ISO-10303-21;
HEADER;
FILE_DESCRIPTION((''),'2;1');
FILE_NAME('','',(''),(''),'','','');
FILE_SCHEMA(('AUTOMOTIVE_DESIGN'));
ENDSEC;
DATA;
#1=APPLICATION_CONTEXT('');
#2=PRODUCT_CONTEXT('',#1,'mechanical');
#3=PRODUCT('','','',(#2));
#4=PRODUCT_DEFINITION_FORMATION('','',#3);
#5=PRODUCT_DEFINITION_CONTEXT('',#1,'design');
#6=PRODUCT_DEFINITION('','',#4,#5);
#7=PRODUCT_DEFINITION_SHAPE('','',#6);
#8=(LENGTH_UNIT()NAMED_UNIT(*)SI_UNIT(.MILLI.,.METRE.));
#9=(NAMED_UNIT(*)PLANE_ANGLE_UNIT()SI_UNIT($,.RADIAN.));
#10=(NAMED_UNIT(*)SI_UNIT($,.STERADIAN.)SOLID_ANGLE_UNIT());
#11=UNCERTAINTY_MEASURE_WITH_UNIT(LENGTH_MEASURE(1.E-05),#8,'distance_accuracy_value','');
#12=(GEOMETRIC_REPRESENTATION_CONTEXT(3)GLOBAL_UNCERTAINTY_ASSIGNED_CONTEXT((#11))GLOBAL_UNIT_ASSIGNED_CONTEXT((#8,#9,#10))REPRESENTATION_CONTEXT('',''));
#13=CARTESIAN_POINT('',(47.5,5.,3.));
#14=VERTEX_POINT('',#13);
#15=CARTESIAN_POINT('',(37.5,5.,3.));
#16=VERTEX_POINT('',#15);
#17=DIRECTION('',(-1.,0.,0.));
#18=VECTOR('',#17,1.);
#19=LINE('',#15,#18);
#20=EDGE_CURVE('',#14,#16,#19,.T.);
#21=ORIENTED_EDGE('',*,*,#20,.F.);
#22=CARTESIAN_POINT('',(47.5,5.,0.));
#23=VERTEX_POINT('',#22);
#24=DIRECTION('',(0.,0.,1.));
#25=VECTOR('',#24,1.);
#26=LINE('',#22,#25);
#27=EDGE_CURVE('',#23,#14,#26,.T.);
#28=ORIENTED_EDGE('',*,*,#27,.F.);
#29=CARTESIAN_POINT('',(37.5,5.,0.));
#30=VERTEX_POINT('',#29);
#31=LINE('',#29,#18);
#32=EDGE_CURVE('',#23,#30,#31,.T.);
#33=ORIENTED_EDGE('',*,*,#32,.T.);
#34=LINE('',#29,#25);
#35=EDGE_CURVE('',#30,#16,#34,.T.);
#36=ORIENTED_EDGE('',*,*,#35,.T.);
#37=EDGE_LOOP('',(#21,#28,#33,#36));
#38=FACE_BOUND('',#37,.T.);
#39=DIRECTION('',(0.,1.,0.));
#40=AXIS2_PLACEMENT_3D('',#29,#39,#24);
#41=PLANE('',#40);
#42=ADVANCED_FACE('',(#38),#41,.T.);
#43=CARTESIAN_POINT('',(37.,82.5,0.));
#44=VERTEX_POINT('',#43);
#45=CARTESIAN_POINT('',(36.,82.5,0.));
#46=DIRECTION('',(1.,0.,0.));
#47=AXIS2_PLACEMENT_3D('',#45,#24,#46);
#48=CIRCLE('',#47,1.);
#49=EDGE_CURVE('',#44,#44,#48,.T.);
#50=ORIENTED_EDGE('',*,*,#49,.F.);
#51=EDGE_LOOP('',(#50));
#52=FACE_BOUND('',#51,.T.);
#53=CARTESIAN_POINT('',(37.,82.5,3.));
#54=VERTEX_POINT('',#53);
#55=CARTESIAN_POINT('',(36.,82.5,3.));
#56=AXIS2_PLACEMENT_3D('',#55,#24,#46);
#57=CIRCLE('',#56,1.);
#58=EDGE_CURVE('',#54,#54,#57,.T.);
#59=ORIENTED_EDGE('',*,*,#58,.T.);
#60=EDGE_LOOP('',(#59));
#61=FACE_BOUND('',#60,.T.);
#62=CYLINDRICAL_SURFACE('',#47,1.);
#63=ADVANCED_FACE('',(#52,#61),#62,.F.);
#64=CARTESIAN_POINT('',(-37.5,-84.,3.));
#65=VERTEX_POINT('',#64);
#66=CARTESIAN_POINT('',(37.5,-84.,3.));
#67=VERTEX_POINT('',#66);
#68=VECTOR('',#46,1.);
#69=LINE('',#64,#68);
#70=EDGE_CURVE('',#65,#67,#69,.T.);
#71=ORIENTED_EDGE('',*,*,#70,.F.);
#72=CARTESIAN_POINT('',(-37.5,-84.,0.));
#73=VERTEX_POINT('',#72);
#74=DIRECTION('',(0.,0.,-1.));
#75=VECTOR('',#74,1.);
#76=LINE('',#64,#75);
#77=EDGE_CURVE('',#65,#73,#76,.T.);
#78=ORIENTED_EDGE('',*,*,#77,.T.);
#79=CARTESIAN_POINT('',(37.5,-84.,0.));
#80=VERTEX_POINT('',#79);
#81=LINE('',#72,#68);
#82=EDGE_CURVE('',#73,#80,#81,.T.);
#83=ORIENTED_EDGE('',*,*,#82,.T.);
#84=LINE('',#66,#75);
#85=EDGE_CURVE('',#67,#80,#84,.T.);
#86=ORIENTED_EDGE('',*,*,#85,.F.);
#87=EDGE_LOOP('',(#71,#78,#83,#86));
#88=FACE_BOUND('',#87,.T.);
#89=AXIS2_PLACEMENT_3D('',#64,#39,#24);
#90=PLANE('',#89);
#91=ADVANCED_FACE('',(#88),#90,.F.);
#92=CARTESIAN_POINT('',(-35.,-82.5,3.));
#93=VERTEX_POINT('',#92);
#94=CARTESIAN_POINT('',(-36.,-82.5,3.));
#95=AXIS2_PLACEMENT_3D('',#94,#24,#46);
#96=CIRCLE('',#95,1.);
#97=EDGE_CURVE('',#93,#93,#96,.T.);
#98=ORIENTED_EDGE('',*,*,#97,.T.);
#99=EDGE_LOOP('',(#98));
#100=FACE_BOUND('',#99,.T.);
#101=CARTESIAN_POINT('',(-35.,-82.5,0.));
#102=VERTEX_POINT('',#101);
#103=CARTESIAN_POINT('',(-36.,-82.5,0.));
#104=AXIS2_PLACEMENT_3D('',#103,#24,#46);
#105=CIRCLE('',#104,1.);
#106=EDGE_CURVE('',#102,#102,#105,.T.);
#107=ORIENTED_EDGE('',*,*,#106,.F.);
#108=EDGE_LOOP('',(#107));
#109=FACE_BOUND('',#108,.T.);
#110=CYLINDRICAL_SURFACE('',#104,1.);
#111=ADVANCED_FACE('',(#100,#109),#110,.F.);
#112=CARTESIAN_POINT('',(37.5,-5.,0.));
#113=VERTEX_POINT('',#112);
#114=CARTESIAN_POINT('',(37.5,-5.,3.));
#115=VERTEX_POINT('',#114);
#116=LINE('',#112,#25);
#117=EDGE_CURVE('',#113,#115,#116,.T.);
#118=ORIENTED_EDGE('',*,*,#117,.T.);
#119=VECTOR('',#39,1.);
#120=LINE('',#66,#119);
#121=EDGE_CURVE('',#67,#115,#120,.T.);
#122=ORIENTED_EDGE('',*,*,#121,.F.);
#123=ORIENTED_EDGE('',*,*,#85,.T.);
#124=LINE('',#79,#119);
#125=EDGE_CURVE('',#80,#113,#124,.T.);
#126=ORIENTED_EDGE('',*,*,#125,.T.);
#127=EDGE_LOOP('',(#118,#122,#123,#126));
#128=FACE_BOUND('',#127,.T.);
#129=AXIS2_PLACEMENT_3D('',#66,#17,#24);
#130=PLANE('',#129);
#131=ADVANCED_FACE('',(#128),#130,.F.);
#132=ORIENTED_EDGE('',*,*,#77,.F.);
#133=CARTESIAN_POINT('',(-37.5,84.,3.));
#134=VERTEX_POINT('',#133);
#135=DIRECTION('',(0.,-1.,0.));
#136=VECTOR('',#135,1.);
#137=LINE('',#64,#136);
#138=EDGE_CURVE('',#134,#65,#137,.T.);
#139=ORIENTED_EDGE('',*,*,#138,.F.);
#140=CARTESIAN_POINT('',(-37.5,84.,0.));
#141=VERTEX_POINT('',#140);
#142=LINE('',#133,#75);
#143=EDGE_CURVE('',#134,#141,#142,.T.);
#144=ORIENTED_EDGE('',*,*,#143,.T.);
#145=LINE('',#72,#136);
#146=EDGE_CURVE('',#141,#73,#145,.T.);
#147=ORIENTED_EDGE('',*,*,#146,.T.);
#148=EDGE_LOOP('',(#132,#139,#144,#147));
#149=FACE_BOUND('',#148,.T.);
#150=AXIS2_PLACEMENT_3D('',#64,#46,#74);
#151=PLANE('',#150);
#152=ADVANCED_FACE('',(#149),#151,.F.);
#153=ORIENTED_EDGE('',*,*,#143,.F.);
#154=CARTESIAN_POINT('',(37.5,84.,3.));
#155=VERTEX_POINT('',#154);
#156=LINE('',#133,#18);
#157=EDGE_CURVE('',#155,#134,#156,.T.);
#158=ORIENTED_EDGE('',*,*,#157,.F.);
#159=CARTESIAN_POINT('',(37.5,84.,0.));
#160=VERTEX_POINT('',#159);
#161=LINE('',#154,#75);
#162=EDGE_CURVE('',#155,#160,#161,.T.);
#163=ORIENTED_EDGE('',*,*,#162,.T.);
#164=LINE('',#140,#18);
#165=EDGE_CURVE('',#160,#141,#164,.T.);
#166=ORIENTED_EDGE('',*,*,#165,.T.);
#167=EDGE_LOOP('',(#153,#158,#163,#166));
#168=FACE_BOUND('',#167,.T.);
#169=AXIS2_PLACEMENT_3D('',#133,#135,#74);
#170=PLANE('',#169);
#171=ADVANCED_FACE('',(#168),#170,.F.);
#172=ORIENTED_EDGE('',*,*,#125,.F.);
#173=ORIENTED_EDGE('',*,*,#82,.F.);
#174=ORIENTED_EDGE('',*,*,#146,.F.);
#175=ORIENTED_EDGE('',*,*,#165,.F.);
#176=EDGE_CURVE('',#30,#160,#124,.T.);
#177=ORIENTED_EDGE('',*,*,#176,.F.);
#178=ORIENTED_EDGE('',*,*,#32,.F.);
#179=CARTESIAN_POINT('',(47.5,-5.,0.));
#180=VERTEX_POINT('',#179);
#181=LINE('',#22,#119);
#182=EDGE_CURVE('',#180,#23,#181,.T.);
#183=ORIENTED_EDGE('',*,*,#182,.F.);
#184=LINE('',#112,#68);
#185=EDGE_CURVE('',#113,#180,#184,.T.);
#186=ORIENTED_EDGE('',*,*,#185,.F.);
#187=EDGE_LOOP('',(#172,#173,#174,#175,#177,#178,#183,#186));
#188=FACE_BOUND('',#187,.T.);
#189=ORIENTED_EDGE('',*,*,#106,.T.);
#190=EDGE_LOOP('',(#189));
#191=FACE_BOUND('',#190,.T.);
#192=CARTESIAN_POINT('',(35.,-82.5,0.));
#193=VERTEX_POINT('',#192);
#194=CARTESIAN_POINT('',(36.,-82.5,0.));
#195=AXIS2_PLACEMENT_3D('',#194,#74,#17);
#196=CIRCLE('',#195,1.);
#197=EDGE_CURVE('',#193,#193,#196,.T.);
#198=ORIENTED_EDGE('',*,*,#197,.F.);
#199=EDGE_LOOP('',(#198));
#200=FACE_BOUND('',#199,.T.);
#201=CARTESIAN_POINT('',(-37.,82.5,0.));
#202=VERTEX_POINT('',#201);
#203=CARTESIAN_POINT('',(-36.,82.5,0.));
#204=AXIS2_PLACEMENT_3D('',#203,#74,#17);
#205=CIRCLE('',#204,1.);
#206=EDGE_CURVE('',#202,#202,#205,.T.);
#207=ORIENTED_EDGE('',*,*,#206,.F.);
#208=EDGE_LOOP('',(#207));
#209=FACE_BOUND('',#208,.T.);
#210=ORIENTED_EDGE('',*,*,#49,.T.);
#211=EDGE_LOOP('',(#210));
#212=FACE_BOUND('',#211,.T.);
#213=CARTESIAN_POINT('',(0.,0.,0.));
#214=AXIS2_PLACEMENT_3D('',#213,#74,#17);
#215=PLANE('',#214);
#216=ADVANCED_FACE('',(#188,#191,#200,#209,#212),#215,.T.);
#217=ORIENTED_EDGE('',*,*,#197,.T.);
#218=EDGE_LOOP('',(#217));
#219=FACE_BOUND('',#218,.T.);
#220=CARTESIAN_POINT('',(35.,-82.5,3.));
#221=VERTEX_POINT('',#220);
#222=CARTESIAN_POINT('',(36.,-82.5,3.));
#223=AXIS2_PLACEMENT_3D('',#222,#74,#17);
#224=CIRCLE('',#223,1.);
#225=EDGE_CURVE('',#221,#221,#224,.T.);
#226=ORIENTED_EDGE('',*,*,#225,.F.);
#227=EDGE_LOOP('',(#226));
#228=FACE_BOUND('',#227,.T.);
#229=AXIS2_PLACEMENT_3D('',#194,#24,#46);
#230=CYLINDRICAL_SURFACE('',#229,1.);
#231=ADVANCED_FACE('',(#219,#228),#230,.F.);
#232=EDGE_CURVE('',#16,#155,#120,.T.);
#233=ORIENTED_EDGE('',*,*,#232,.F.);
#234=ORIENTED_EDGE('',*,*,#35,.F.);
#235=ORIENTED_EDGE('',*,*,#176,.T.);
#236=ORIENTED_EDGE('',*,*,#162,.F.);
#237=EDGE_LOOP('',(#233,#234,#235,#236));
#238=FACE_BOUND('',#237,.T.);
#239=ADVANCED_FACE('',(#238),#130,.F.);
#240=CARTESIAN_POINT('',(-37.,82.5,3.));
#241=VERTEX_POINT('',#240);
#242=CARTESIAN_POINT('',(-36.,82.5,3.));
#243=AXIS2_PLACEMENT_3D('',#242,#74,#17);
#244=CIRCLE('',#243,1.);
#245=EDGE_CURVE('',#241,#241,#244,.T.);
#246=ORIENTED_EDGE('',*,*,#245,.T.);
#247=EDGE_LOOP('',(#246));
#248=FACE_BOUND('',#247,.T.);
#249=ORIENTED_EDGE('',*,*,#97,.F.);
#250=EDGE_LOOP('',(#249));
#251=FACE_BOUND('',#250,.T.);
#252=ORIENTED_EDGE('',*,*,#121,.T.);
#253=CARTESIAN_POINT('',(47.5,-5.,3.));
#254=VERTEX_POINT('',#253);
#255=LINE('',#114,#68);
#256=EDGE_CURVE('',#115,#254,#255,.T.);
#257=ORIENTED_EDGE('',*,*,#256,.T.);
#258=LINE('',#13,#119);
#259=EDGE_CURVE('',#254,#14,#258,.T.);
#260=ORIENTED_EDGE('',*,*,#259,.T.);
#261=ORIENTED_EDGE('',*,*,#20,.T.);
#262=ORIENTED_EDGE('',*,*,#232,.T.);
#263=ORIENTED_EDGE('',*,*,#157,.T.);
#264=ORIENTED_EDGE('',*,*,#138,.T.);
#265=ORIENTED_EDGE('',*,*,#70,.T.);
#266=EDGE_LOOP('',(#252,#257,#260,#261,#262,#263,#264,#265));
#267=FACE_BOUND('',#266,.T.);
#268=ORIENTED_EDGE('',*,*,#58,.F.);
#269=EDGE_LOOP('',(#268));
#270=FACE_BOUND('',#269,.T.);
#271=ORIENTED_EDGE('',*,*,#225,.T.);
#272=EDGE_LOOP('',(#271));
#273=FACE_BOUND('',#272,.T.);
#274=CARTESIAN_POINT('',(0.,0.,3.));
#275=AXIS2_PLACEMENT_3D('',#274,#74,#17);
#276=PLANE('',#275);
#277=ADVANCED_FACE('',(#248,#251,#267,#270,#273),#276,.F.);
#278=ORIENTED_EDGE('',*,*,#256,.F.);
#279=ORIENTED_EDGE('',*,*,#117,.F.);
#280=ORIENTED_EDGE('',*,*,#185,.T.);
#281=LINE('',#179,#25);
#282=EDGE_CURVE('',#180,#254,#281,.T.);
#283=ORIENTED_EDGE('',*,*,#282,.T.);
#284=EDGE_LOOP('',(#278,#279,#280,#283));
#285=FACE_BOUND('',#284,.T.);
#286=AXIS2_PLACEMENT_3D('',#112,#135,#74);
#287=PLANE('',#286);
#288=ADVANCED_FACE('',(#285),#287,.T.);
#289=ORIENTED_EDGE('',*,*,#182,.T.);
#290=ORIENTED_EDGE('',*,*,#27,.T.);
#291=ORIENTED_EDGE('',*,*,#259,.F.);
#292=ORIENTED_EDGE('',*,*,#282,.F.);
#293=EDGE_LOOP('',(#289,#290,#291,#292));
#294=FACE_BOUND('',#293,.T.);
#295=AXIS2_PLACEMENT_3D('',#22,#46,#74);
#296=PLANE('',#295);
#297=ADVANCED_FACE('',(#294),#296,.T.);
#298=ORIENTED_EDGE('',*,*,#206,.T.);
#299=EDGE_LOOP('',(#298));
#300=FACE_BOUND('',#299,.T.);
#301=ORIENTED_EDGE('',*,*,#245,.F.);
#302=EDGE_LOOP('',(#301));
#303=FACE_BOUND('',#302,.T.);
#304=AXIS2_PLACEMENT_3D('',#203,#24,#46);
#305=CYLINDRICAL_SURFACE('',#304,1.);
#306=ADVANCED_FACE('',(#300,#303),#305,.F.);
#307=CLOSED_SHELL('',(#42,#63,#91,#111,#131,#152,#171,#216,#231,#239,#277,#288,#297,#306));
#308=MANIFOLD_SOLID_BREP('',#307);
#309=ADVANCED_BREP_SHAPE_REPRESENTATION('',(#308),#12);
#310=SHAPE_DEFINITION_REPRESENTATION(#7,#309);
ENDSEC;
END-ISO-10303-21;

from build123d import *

# Parameters (mm, degrees)
SKETCH1_W           = 75
SKETCH1_H           = 168
BOSS_EXTRUDE1_DEPTH = 3
SKETCH2_R           = 1
CUT_EXTRUDE1_DEPTH  = 93.03939374
SKETCH3_W           = 10
SKETCH3_H           = 10
BOSS_EXTRUDE2_DEPTH = 3


with BuildPart() as part:
    # Sketch1 → Boss-Extrude1 (new body)
    with BuildSketch(Plane.XY):
        Rectangle(SKETCH1_W, SKETCH1_H)
    extrude(amount=BOSS_EXTRUDE1_DEPTH)

    # Sketch2 → Cut-Extrude1 (cut, through all)
    with BuildSketch(Plane.XY.offset(3)):
        with Locations((36, 82.5)):
            Circle(SKETCH2_R)
        with Locations(Location((-36, 82.5, 0), (0, 0, 180))):
            Circle(SKETCH2_R)
        with Locations(Location((36, -82.5, 0), (0, 0, 180))):
            Circle(SKETCH2_R)
        with Locations((-36, -82.5)):
            Circle(SKETCH2_R)
    extrude(amount=-CUT_EXTRUDE1_DEPTH, mode=Mode.SUBTRACT)

    # Sketch3 → Boss-Extrude2 (add)
    with BuildSketch(Plane.XY.offset(3)):
        with Locations((42.5, 0)):
            Rectangle(SKETCH3_W, SKETCH3_H)
    extrude(amount=-BOSS_EXTRUDE2_DEPTH)


solid = part.part
